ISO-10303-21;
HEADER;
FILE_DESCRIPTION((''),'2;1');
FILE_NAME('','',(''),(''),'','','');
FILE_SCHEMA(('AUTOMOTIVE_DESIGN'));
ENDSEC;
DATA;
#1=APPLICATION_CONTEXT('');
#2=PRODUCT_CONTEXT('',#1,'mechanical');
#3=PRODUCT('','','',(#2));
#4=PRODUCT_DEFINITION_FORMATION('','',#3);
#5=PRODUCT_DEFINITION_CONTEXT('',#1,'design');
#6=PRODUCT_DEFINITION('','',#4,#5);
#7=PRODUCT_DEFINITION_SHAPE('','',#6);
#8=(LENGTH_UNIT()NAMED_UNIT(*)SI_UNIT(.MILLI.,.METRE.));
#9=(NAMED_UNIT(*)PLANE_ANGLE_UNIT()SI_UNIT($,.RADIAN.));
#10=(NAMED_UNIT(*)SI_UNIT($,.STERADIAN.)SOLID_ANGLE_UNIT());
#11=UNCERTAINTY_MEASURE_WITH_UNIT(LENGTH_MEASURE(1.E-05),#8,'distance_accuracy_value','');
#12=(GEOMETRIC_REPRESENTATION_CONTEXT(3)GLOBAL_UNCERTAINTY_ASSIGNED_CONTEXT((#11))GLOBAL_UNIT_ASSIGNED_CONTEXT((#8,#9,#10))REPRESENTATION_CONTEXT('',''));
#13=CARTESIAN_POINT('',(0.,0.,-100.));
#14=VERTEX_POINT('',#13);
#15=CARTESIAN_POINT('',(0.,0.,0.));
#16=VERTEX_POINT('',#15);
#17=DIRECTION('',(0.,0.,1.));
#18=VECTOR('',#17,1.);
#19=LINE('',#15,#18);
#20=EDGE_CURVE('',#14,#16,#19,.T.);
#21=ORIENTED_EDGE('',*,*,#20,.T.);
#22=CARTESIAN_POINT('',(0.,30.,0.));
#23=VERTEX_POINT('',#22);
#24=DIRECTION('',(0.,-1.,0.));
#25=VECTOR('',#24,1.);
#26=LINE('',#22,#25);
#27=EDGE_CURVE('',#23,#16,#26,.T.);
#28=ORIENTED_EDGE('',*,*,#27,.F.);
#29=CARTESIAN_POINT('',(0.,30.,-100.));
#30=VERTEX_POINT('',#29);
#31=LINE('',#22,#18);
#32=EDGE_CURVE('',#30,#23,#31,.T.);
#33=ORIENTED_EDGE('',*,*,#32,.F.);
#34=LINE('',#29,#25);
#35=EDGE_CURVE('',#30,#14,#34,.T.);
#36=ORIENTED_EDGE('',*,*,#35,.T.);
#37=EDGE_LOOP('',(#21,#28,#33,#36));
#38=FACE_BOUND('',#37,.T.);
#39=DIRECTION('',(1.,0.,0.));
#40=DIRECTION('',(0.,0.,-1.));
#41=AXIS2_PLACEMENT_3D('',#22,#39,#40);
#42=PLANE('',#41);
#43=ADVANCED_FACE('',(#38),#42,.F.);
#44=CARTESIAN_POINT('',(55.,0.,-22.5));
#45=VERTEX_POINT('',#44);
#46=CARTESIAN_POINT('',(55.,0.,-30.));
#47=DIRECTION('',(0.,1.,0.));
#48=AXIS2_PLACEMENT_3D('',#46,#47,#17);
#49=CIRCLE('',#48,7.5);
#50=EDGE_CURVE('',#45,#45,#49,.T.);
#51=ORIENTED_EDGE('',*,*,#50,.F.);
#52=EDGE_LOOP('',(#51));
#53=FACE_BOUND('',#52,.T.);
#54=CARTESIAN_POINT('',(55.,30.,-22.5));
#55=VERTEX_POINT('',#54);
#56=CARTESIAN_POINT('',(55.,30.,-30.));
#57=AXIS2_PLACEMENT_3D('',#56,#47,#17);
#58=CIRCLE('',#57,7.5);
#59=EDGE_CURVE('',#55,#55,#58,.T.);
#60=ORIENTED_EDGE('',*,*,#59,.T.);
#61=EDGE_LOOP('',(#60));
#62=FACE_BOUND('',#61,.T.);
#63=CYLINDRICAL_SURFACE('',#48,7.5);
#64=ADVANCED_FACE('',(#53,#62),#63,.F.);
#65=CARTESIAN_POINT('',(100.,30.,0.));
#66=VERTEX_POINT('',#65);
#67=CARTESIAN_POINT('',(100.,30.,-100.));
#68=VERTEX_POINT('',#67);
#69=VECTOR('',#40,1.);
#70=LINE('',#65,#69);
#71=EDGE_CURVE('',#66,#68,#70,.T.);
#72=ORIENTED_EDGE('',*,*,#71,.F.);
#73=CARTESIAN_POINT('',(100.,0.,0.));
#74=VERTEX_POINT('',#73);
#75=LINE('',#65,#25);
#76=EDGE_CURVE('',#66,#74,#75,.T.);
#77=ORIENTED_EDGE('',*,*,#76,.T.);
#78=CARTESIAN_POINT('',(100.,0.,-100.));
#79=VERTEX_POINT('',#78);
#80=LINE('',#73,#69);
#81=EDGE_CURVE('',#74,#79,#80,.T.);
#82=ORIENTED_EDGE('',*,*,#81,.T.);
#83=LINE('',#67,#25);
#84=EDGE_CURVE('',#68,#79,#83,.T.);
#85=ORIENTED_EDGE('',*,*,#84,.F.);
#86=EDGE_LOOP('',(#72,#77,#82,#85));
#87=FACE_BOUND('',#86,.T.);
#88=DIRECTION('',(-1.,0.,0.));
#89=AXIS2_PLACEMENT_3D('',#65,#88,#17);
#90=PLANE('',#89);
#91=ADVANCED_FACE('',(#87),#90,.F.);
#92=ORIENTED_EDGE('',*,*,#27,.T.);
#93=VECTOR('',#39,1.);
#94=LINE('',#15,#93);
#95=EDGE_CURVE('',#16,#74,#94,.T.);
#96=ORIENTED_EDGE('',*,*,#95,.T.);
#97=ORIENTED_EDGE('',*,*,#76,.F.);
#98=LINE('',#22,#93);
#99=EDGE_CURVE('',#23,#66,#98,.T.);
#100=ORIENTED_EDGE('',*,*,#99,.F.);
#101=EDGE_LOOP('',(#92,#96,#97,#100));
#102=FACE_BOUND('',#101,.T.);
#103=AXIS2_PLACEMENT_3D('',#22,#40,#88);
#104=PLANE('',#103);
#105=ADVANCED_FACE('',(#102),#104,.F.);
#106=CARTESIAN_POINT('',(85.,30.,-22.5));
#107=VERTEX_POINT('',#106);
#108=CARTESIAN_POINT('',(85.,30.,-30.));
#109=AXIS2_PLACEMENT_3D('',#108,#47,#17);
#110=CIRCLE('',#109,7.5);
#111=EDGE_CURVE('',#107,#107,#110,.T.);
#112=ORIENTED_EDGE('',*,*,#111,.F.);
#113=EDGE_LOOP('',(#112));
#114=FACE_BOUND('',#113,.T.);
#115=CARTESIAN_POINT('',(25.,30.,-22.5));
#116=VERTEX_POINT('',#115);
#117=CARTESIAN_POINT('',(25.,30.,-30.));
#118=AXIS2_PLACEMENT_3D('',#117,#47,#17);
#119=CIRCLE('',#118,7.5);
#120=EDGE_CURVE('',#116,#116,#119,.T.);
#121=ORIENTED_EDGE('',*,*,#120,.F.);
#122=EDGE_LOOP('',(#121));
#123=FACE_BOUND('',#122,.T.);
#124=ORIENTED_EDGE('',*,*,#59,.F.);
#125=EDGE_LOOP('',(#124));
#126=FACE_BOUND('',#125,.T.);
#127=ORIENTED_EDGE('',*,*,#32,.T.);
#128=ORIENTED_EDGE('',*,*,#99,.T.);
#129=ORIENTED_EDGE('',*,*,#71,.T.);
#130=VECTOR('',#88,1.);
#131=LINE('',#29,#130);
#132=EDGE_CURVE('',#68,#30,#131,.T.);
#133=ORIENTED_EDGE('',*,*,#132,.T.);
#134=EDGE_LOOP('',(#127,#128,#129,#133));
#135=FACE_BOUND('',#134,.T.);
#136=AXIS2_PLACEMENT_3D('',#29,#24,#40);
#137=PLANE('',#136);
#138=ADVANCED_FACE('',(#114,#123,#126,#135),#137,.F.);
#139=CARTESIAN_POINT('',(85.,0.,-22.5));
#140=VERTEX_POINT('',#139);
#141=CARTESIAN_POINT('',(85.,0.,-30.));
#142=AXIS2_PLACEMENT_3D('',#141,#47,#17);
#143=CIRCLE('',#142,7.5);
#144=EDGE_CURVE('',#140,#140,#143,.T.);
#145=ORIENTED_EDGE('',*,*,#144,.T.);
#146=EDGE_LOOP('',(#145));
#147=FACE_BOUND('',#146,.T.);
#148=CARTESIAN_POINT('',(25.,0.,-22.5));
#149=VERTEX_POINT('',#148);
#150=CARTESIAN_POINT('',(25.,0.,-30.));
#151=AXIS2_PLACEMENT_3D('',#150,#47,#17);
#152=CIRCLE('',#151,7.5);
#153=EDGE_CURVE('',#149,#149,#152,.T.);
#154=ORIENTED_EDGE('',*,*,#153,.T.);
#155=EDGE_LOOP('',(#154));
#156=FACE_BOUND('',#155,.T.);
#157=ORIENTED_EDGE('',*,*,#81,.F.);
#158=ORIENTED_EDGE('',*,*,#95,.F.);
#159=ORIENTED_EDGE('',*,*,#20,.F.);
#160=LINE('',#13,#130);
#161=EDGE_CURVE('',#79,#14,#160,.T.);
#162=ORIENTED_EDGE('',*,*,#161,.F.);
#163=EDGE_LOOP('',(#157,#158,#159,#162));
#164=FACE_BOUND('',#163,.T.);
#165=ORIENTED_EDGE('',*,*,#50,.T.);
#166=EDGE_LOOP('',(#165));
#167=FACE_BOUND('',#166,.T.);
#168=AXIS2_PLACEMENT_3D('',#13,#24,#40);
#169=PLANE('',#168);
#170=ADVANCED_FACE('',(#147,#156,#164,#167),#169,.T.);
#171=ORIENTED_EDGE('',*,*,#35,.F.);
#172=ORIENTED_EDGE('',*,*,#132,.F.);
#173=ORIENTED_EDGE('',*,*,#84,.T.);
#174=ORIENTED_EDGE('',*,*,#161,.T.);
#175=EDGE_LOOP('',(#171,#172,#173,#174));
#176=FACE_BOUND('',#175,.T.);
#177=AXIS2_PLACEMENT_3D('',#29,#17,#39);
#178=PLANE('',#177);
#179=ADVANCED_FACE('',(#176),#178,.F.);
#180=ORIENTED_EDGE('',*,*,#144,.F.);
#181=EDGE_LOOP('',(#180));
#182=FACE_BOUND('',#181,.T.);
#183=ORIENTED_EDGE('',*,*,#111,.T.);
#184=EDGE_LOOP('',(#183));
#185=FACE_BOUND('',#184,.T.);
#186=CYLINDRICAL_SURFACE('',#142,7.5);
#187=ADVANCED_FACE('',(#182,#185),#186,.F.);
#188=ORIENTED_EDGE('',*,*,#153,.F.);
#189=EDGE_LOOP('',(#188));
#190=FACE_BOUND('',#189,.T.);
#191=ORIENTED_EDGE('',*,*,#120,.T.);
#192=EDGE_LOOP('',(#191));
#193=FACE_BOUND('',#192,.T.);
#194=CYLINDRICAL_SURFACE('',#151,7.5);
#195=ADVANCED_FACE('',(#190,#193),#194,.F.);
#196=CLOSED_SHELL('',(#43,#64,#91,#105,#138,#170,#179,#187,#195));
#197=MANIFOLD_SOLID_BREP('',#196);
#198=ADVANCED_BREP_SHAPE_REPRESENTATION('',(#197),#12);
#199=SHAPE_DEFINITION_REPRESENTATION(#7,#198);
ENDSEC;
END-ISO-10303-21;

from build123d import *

# Parameters (mm, degrees)
SKETCH_1_W          = 100
SKETCH_1_H          = 100
EXTRUDE_1_DEPTH     = 30
SKETCH_2_R          = 7.5
CUT_EXTRUDE_1_DEPTH = 30


with BuildPart() as part:
    # ｽｹｯﾁ1 → 押し出し1 (new body)
    with BuildSketch(Plane(origin=(0, 0, 0), x_dir=(1, 0, 0), z_dir=(0, 1, 0))):
        with Locations((50, 50)):
            Rectangle(SKETCH_1_W, SKETCH_1_H)
    extrude(amount=EXTRUDE_1_DEPTH)

    # ｽｹｯﾁ2 → ｶｯﾄ - 押し出し1 (cut)
    with BuildSketch(Plane(origin=(0, 30, 0), x_dir=(-1, 0, 0), z_dir=(0, 1, 0))):
        with Locations(Location((-55, -30, 0), (0, 0, 90))):
            Circle(SKETCH_2_R)
        with Locations(Location((-25, -30, 0), (0, 0, 90))):
            Circle(SKETCH_2_R)
        with Locations(Location((-85, -30, 0), (0, 0, 90))):
            Circle(SKETCH_2_R)
    extrude(amount=-CUT_EXTRUDE_1_DEPTH, mode=Mode.SUBTRACT)


solid = part.part
